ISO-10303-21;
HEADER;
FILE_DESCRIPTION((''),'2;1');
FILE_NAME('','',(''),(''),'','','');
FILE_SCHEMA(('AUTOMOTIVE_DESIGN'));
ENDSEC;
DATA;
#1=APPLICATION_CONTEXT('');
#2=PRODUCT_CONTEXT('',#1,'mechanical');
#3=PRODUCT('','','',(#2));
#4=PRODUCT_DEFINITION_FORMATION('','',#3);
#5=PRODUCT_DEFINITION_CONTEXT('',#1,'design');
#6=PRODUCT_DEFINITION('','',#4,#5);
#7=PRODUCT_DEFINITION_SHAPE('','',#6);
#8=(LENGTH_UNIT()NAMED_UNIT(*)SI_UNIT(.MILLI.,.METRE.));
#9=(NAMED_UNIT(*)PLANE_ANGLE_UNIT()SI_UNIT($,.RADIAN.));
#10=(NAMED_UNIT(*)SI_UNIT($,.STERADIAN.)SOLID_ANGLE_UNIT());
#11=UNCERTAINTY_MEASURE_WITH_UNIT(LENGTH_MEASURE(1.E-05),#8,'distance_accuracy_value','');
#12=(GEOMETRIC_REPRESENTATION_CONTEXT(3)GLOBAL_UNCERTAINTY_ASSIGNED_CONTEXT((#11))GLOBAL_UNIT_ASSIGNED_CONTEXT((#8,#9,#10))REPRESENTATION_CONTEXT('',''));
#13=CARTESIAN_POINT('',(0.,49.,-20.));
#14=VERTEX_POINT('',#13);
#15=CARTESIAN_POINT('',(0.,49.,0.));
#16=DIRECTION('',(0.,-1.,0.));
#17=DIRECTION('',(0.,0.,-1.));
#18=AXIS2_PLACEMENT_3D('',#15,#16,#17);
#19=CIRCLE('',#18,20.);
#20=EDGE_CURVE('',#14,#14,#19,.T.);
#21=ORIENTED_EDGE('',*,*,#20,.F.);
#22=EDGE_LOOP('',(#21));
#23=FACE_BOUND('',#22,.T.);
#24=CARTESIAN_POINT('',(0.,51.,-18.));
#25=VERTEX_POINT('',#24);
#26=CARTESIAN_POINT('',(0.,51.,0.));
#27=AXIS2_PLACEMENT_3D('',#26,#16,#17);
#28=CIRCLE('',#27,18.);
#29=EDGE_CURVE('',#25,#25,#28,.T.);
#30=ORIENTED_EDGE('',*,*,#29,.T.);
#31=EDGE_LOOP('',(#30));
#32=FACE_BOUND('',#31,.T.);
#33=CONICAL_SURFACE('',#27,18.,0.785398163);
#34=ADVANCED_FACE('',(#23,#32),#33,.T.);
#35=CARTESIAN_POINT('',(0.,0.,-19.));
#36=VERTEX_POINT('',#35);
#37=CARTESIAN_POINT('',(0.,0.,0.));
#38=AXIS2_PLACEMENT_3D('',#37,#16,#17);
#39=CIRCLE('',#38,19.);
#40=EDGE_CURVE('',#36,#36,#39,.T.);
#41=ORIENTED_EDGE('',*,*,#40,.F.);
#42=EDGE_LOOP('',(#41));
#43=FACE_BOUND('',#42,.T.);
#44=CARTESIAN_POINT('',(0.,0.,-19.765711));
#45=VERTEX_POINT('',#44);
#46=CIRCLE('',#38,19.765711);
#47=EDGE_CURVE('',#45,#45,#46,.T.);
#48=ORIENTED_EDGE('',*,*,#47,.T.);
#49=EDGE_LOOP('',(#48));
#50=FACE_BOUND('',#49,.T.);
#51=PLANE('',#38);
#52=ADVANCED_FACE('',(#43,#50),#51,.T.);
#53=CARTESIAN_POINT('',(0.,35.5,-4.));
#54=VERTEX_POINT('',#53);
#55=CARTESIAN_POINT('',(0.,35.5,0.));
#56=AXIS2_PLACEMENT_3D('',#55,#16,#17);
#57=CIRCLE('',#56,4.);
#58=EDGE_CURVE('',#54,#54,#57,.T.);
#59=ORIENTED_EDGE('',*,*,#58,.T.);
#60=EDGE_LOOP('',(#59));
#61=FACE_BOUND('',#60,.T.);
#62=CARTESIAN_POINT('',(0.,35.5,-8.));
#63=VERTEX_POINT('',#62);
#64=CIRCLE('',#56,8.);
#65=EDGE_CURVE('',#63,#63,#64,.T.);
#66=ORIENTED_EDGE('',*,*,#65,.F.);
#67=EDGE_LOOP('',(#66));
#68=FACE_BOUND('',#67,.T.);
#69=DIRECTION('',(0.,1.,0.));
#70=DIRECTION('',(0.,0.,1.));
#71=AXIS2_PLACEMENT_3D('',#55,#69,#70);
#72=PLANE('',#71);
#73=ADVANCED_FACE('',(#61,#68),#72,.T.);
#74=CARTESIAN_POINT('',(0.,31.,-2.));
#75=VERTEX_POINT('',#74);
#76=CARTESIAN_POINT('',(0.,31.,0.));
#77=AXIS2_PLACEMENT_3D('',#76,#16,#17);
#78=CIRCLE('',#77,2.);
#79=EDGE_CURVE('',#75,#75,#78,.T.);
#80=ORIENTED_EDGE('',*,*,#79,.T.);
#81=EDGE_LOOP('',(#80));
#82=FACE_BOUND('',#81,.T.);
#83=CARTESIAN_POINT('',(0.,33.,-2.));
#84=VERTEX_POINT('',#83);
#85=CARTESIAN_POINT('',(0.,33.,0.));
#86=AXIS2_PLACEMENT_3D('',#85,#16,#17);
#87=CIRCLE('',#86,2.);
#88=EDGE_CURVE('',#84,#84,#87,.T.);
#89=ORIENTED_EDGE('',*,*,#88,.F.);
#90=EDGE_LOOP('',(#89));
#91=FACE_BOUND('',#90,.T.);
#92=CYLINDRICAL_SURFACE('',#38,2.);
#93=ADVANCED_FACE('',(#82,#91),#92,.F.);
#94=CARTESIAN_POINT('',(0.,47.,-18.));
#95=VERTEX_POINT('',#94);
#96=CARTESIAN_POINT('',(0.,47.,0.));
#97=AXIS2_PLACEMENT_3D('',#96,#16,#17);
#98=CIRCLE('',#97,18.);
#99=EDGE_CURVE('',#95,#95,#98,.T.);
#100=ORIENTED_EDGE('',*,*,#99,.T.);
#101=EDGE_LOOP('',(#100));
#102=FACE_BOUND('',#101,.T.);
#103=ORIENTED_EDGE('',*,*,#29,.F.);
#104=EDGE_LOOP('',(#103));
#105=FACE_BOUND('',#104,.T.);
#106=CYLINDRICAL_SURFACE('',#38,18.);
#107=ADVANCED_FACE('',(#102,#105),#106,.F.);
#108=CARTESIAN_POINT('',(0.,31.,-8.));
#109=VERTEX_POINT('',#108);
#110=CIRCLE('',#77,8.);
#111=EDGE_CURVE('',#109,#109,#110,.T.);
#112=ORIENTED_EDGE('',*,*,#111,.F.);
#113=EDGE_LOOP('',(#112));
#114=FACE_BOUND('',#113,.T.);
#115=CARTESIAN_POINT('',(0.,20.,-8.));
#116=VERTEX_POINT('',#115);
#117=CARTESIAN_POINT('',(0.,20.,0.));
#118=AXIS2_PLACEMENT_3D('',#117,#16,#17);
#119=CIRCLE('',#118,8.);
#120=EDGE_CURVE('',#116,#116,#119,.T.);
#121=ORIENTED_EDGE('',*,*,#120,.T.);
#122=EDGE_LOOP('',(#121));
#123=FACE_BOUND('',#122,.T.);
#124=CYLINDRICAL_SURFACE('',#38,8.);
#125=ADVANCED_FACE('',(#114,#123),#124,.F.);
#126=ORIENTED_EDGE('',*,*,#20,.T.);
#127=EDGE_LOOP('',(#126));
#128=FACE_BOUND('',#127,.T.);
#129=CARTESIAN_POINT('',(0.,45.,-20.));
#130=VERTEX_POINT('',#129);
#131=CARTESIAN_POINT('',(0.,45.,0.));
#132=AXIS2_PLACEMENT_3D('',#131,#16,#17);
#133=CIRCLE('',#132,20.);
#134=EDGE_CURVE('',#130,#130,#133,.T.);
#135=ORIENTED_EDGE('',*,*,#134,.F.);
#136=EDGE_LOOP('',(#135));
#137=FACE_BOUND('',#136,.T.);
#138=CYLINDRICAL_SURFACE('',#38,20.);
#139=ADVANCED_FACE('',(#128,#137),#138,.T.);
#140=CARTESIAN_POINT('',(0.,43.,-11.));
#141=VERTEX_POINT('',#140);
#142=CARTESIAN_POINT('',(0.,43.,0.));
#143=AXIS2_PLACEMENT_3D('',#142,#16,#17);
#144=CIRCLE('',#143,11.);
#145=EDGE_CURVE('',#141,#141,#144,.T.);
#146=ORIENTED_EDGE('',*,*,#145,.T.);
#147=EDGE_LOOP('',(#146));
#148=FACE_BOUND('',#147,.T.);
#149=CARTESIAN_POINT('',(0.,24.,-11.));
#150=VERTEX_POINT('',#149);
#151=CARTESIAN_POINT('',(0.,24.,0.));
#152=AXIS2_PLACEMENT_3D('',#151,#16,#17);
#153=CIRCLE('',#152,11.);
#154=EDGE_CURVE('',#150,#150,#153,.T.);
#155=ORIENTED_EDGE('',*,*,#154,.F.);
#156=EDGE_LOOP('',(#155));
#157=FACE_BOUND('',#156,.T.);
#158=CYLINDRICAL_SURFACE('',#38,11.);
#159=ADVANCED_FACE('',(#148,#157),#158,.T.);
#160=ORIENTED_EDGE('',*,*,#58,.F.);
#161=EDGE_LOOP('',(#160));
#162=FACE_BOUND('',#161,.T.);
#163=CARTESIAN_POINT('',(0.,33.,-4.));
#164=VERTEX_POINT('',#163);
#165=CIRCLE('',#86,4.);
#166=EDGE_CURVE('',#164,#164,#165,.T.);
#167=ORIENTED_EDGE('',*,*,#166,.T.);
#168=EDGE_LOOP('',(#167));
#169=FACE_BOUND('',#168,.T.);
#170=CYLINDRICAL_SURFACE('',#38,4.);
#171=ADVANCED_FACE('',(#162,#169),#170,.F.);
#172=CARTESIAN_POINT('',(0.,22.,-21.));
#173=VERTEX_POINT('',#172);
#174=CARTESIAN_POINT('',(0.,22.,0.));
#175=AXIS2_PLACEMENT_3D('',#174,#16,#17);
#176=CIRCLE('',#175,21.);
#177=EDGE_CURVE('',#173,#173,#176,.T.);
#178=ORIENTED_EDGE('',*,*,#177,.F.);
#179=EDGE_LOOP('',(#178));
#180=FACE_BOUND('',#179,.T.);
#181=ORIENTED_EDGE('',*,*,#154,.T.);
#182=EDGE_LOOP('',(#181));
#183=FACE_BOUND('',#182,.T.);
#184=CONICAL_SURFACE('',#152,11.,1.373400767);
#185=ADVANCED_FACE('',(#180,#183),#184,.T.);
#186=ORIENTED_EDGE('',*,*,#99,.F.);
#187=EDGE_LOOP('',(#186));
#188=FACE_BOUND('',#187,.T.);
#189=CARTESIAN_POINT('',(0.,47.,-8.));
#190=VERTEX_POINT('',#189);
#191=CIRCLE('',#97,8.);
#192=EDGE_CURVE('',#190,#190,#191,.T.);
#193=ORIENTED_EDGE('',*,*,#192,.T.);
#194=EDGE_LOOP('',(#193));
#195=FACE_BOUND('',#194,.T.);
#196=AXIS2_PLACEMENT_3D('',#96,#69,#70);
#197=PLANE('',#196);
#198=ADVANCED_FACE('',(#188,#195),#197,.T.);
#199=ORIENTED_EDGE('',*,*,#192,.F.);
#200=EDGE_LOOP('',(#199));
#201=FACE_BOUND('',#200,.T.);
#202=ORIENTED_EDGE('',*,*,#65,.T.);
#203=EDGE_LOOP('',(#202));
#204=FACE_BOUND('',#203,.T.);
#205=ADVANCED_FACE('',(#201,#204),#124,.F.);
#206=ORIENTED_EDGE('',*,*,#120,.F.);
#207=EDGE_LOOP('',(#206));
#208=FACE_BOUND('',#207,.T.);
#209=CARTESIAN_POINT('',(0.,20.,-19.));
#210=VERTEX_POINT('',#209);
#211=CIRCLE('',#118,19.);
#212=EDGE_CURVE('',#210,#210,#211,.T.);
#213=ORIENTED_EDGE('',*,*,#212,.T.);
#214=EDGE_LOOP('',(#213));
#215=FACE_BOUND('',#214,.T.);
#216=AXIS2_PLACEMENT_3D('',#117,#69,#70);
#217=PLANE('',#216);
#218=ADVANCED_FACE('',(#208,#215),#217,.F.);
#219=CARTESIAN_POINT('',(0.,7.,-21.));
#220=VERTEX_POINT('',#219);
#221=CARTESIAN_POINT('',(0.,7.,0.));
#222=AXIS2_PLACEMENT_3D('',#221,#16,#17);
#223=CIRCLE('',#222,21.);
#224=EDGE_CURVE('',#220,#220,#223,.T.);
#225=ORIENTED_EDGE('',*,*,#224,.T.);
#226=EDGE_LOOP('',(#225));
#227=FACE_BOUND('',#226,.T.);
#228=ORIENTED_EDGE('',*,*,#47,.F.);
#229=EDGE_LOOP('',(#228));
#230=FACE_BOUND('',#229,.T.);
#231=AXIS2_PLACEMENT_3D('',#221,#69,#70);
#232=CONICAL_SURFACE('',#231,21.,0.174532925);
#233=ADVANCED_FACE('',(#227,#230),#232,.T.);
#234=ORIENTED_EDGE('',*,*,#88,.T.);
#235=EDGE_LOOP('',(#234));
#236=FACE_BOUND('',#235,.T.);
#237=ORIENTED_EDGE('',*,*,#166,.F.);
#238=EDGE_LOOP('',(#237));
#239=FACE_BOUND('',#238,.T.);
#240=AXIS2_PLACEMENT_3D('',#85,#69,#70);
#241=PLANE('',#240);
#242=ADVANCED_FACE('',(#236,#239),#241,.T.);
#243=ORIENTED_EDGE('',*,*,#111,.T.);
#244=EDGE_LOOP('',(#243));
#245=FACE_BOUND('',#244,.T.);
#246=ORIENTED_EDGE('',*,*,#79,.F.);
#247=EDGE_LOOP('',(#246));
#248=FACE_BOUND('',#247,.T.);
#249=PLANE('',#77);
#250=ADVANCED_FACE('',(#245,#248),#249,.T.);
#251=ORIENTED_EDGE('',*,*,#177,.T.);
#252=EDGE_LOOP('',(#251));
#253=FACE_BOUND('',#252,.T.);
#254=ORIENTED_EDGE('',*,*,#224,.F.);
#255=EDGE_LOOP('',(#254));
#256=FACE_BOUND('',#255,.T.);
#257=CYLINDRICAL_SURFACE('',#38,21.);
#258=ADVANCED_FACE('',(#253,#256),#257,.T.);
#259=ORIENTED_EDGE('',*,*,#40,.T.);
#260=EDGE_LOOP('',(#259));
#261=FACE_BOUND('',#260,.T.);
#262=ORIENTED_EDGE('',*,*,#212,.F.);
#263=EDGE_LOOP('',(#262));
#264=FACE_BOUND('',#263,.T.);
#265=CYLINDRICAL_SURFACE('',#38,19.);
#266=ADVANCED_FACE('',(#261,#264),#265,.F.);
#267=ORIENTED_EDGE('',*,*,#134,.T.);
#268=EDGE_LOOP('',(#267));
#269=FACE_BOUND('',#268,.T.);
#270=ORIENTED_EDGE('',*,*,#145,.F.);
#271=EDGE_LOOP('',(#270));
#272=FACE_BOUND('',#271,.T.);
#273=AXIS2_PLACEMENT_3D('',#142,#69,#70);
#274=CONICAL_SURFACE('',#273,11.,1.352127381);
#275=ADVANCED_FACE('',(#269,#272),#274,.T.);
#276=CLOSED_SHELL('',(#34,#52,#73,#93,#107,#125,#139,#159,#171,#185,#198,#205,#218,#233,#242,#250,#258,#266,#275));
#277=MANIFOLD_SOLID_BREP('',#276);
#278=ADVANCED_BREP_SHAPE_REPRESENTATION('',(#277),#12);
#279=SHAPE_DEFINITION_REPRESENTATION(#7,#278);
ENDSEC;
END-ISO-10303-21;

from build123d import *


with BuildPart() as part:
    # Sketch1 → Revolve1 (revolve)
    with BuildSketch(Plane.XY, mode=Mode.PRIVATE) as revolve1_sk:
        Polygon((20, 49), (20, 45), (11, 43), (11, 24), (21, 22), (21, 7), (19.765711135, 0), (19, 0), (19, 20), (8, 20), (8, 31), (2, 31), (2, 33), (4, 33), (4, 35.5), (8, 35.5), (8, 47), (18, 47), (18, 51), align=None)
    revolve(revolve1_sk.sketch.rotate(Axis((0, 0, 0), (0, 1, 0)), 90), axis=Axis((0, 0, 0), (0, 1, 0)))


solid = part.part
